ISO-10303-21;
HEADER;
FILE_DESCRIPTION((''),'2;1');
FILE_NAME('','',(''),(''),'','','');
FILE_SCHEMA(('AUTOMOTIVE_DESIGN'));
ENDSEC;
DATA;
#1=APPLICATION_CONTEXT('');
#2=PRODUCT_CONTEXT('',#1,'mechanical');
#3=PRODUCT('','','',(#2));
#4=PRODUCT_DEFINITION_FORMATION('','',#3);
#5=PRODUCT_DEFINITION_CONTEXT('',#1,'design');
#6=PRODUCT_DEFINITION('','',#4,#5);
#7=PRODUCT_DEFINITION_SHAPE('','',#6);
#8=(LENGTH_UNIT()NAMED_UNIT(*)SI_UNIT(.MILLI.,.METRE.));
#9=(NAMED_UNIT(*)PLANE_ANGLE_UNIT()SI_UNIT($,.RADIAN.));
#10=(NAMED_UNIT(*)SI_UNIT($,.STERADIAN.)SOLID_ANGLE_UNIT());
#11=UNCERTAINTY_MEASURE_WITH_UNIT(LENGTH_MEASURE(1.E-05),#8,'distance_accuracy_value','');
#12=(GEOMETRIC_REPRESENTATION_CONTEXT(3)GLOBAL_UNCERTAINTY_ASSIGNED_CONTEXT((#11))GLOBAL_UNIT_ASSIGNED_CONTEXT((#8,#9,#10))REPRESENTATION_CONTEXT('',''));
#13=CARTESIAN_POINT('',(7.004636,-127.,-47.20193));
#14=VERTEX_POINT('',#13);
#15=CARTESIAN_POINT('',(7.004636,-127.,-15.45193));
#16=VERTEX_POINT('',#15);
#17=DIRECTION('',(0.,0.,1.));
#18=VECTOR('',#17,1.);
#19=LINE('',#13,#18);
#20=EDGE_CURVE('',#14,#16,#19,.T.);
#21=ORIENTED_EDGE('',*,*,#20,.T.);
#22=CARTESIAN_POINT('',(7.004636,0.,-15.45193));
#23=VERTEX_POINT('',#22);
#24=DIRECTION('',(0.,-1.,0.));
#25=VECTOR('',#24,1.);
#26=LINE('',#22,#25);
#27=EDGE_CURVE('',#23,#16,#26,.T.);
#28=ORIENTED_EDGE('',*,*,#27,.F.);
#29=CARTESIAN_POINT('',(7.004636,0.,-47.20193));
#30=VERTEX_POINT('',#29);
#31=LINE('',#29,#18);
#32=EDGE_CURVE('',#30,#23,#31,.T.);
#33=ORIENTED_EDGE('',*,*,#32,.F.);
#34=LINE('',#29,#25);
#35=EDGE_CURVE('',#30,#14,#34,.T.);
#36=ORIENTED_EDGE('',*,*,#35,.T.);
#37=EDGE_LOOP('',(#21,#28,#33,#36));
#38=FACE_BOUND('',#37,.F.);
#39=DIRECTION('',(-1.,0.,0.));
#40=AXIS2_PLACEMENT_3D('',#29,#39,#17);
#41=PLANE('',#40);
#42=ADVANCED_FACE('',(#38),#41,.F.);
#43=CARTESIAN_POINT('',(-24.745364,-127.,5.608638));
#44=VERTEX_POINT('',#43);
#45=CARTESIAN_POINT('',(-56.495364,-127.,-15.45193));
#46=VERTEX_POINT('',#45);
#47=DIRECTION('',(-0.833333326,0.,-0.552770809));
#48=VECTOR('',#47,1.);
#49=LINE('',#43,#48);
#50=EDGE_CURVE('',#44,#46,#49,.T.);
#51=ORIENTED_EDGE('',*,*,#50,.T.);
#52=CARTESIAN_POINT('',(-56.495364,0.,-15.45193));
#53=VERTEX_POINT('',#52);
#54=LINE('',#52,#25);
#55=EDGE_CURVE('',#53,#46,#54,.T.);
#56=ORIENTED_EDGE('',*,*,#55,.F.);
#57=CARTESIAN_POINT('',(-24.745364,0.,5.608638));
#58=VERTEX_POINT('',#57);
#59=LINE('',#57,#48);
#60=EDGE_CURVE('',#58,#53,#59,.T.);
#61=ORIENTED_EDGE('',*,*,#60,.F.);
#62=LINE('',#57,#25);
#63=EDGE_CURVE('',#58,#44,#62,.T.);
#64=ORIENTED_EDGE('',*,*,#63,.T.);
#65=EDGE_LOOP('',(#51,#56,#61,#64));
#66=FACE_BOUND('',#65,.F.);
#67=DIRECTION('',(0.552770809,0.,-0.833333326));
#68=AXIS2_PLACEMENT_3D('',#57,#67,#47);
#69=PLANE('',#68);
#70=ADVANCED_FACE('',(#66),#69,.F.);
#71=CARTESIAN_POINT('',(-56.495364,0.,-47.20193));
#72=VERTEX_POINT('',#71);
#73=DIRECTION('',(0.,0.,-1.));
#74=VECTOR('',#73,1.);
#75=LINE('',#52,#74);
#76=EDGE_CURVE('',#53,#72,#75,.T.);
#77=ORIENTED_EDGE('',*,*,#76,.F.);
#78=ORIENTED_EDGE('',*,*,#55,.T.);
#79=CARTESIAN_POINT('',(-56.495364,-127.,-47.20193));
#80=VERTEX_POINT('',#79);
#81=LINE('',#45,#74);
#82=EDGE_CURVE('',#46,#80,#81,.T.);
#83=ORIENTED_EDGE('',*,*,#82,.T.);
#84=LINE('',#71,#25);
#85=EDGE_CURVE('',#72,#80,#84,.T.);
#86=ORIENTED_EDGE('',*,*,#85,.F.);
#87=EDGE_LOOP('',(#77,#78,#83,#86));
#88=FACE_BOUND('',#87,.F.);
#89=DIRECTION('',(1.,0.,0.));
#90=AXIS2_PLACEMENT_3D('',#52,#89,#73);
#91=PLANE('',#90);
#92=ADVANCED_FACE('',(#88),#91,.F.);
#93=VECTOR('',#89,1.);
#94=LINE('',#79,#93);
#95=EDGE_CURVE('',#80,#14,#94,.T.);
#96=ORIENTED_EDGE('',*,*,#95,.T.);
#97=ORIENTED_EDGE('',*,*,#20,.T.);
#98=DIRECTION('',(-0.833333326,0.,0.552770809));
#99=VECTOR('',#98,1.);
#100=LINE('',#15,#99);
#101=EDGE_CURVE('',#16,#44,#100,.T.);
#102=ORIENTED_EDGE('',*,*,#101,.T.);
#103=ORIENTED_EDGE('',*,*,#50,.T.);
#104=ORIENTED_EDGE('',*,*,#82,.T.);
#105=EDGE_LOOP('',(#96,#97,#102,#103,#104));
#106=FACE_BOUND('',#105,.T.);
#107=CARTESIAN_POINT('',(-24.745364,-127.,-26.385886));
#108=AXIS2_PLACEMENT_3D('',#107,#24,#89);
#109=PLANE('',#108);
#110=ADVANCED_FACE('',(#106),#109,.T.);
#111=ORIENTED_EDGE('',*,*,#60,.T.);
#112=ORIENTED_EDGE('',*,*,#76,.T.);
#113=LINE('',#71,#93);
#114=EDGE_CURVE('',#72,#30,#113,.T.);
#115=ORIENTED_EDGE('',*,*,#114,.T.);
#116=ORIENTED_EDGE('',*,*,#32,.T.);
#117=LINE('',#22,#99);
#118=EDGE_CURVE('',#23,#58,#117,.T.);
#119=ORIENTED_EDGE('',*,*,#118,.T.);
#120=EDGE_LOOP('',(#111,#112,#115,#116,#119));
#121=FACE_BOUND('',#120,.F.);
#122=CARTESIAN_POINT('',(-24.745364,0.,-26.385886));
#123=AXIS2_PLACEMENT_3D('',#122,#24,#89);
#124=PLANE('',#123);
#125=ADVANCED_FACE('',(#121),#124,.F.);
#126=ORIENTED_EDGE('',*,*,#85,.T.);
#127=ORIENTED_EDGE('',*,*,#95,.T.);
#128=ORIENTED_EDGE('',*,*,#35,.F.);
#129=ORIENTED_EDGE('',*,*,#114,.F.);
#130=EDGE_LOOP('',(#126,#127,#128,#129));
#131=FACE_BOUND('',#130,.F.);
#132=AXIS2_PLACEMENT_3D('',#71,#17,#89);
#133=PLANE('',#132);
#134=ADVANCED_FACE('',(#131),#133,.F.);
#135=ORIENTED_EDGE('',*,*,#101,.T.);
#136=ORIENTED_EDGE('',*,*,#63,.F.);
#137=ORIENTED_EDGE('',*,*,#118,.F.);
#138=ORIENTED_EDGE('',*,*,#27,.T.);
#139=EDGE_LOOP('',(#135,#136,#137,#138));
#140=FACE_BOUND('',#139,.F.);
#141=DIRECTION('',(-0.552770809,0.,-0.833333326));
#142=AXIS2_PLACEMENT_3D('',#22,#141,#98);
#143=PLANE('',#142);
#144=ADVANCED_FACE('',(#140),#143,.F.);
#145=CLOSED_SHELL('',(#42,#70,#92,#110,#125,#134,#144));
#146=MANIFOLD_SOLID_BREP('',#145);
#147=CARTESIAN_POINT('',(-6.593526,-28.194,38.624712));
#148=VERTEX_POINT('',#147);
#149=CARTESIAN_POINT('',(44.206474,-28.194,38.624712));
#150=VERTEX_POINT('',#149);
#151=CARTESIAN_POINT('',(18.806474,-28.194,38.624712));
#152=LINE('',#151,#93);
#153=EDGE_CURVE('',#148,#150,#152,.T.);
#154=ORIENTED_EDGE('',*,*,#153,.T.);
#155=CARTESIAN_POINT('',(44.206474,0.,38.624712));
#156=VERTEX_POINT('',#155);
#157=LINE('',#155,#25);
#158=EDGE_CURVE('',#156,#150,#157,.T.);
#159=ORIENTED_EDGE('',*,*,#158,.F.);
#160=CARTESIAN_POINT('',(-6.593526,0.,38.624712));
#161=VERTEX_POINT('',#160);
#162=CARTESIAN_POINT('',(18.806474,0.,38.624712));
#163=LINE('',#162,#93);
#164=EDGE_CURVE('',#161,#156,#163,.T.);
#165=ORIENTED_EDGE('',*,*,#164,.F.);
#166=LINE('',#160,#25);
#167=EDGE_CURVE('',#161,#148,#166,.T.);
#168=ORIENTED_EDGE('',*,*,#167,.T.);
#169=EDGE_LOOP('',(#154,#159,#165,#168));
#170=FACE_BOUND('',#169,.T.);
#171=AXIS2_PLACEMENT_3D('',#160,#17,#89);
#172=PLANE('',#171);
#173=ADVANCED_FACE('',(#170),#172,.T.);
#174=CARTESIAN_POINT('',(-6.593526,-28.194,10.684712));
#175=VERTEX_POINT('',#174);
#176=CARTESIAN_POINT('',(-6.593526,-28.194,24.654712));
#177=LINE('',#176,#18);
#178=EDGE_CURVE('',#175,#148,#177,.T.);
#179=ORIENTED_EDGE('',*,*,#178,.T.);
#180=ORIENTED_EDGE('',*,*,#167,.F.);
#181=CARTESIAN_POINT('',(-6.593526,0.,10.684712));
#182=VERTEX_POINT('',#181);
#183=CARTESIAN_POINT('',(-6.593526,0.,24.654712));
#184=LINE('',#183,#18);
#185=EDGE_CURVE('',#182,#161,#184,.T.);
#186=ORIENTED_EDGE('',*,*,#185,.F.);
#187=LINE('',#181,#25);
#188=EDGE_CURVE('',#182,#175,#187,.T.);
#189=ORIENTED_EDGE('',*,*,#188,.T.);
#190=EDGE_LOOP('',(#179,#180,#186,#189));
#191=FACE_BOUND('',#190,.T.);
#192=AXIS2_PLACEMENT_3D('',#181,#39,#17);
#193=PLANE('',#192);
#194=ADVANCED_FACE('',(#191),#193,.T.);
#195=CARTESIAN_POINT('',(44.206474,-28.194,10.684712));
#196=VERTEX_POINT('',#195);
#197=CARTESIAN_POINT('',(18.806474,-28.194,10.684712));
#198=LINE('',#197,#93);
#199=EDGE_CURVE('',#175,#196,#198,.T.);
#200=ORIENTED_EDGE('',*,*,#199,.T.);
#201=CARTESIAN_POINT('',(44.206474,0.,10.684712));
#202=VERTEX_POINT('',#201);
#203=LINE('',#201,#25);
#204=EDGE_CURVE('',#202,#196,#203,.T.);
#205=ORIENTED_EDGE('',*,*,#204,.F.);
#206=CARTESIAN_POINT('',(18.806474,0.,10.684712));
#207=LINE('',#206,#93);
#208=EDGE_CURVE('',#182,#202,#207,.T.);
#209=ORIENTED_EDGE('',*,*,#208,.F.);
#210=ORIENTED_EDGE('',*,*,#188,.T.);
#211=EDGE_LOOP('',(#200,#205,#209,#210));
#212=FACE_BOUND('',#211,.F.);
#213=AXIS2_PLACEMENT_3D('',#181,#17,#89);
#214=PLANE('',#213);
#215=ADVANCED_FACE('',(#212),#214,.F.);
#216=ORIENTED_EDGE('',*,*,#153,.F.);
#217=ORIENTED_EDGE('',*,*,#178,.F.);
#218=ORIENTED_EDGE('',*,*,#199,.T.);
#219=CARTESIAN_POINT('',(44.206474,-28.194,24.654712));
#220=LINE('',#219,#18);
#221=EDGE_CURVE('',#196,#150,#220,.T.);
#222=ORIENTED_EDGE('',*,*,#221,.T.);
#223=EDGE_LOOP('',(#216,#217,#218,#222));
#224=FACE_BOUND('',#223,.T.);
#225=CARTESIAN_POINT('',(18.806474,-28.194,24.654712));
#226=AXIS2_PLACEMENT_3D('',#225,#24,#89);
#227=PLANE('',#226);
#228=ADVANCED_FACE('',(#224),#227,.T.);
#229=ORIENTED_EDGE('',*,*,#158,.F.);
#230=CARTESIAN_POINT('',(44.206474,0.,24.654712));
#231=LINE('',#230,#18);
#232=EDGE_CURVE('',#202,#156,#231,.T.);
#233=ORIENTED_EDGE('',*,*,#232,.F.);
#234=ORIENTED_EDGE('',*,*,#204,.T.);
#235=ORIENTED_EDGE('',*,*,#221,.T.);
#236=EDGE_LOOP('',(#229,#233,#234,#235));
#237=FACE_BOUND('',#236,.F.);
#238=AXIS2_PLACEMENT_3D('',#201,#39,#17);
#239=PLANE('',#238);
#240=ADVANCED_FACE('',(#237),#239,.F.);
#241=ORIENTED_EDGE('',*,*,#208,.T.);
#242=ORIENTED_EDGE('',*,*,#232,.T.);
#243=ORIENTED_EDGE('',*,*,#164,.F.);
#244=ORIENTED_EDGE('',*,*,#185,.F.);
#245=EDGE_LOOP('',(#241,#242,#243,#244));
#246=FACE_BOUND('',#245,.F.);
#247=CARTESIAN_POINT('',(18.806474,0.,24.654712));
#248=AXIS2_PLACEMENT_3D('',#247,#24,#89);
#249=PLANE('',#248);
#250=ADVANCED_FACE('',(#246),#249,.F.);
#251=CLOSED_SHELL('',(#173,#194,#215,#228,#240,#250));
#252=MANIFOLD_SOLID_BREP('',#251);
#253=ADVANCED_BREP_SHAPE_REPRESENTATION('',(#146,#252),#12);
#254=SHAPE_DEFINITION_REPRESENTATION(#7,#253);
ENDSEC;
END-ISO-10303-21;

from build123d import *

# Parameters (mm, degrees)
F0_W     = 50.8
F0_H     = 27.94
F1_DEPTH = 28.194
F3_DEPTH = 127


with BuildPart() as f1:
    # F0 (on Front) → F1 (new body)
    with BuildSketch(Plane.XZ):
        with Locations((18.806474, 24.654712)):
            Rectangle(F0_W, F0_H)
    extrude(amount=F1_DEPTH)


with BuildPart() as f3:
    # F2 (on Front) → F3 (new body)
    with BuildSketch(Plane.XZ):
        Polygon((-56.495364, -15.45193), (-56.495364, -47.20193), (7.004636, -47.20193), (7.004636, -15.45193), (-24.745364, 5.608638), align=None)
    extrude(amount=F3_DEPTH)


solid = Compound([f1.part, f3.part])
